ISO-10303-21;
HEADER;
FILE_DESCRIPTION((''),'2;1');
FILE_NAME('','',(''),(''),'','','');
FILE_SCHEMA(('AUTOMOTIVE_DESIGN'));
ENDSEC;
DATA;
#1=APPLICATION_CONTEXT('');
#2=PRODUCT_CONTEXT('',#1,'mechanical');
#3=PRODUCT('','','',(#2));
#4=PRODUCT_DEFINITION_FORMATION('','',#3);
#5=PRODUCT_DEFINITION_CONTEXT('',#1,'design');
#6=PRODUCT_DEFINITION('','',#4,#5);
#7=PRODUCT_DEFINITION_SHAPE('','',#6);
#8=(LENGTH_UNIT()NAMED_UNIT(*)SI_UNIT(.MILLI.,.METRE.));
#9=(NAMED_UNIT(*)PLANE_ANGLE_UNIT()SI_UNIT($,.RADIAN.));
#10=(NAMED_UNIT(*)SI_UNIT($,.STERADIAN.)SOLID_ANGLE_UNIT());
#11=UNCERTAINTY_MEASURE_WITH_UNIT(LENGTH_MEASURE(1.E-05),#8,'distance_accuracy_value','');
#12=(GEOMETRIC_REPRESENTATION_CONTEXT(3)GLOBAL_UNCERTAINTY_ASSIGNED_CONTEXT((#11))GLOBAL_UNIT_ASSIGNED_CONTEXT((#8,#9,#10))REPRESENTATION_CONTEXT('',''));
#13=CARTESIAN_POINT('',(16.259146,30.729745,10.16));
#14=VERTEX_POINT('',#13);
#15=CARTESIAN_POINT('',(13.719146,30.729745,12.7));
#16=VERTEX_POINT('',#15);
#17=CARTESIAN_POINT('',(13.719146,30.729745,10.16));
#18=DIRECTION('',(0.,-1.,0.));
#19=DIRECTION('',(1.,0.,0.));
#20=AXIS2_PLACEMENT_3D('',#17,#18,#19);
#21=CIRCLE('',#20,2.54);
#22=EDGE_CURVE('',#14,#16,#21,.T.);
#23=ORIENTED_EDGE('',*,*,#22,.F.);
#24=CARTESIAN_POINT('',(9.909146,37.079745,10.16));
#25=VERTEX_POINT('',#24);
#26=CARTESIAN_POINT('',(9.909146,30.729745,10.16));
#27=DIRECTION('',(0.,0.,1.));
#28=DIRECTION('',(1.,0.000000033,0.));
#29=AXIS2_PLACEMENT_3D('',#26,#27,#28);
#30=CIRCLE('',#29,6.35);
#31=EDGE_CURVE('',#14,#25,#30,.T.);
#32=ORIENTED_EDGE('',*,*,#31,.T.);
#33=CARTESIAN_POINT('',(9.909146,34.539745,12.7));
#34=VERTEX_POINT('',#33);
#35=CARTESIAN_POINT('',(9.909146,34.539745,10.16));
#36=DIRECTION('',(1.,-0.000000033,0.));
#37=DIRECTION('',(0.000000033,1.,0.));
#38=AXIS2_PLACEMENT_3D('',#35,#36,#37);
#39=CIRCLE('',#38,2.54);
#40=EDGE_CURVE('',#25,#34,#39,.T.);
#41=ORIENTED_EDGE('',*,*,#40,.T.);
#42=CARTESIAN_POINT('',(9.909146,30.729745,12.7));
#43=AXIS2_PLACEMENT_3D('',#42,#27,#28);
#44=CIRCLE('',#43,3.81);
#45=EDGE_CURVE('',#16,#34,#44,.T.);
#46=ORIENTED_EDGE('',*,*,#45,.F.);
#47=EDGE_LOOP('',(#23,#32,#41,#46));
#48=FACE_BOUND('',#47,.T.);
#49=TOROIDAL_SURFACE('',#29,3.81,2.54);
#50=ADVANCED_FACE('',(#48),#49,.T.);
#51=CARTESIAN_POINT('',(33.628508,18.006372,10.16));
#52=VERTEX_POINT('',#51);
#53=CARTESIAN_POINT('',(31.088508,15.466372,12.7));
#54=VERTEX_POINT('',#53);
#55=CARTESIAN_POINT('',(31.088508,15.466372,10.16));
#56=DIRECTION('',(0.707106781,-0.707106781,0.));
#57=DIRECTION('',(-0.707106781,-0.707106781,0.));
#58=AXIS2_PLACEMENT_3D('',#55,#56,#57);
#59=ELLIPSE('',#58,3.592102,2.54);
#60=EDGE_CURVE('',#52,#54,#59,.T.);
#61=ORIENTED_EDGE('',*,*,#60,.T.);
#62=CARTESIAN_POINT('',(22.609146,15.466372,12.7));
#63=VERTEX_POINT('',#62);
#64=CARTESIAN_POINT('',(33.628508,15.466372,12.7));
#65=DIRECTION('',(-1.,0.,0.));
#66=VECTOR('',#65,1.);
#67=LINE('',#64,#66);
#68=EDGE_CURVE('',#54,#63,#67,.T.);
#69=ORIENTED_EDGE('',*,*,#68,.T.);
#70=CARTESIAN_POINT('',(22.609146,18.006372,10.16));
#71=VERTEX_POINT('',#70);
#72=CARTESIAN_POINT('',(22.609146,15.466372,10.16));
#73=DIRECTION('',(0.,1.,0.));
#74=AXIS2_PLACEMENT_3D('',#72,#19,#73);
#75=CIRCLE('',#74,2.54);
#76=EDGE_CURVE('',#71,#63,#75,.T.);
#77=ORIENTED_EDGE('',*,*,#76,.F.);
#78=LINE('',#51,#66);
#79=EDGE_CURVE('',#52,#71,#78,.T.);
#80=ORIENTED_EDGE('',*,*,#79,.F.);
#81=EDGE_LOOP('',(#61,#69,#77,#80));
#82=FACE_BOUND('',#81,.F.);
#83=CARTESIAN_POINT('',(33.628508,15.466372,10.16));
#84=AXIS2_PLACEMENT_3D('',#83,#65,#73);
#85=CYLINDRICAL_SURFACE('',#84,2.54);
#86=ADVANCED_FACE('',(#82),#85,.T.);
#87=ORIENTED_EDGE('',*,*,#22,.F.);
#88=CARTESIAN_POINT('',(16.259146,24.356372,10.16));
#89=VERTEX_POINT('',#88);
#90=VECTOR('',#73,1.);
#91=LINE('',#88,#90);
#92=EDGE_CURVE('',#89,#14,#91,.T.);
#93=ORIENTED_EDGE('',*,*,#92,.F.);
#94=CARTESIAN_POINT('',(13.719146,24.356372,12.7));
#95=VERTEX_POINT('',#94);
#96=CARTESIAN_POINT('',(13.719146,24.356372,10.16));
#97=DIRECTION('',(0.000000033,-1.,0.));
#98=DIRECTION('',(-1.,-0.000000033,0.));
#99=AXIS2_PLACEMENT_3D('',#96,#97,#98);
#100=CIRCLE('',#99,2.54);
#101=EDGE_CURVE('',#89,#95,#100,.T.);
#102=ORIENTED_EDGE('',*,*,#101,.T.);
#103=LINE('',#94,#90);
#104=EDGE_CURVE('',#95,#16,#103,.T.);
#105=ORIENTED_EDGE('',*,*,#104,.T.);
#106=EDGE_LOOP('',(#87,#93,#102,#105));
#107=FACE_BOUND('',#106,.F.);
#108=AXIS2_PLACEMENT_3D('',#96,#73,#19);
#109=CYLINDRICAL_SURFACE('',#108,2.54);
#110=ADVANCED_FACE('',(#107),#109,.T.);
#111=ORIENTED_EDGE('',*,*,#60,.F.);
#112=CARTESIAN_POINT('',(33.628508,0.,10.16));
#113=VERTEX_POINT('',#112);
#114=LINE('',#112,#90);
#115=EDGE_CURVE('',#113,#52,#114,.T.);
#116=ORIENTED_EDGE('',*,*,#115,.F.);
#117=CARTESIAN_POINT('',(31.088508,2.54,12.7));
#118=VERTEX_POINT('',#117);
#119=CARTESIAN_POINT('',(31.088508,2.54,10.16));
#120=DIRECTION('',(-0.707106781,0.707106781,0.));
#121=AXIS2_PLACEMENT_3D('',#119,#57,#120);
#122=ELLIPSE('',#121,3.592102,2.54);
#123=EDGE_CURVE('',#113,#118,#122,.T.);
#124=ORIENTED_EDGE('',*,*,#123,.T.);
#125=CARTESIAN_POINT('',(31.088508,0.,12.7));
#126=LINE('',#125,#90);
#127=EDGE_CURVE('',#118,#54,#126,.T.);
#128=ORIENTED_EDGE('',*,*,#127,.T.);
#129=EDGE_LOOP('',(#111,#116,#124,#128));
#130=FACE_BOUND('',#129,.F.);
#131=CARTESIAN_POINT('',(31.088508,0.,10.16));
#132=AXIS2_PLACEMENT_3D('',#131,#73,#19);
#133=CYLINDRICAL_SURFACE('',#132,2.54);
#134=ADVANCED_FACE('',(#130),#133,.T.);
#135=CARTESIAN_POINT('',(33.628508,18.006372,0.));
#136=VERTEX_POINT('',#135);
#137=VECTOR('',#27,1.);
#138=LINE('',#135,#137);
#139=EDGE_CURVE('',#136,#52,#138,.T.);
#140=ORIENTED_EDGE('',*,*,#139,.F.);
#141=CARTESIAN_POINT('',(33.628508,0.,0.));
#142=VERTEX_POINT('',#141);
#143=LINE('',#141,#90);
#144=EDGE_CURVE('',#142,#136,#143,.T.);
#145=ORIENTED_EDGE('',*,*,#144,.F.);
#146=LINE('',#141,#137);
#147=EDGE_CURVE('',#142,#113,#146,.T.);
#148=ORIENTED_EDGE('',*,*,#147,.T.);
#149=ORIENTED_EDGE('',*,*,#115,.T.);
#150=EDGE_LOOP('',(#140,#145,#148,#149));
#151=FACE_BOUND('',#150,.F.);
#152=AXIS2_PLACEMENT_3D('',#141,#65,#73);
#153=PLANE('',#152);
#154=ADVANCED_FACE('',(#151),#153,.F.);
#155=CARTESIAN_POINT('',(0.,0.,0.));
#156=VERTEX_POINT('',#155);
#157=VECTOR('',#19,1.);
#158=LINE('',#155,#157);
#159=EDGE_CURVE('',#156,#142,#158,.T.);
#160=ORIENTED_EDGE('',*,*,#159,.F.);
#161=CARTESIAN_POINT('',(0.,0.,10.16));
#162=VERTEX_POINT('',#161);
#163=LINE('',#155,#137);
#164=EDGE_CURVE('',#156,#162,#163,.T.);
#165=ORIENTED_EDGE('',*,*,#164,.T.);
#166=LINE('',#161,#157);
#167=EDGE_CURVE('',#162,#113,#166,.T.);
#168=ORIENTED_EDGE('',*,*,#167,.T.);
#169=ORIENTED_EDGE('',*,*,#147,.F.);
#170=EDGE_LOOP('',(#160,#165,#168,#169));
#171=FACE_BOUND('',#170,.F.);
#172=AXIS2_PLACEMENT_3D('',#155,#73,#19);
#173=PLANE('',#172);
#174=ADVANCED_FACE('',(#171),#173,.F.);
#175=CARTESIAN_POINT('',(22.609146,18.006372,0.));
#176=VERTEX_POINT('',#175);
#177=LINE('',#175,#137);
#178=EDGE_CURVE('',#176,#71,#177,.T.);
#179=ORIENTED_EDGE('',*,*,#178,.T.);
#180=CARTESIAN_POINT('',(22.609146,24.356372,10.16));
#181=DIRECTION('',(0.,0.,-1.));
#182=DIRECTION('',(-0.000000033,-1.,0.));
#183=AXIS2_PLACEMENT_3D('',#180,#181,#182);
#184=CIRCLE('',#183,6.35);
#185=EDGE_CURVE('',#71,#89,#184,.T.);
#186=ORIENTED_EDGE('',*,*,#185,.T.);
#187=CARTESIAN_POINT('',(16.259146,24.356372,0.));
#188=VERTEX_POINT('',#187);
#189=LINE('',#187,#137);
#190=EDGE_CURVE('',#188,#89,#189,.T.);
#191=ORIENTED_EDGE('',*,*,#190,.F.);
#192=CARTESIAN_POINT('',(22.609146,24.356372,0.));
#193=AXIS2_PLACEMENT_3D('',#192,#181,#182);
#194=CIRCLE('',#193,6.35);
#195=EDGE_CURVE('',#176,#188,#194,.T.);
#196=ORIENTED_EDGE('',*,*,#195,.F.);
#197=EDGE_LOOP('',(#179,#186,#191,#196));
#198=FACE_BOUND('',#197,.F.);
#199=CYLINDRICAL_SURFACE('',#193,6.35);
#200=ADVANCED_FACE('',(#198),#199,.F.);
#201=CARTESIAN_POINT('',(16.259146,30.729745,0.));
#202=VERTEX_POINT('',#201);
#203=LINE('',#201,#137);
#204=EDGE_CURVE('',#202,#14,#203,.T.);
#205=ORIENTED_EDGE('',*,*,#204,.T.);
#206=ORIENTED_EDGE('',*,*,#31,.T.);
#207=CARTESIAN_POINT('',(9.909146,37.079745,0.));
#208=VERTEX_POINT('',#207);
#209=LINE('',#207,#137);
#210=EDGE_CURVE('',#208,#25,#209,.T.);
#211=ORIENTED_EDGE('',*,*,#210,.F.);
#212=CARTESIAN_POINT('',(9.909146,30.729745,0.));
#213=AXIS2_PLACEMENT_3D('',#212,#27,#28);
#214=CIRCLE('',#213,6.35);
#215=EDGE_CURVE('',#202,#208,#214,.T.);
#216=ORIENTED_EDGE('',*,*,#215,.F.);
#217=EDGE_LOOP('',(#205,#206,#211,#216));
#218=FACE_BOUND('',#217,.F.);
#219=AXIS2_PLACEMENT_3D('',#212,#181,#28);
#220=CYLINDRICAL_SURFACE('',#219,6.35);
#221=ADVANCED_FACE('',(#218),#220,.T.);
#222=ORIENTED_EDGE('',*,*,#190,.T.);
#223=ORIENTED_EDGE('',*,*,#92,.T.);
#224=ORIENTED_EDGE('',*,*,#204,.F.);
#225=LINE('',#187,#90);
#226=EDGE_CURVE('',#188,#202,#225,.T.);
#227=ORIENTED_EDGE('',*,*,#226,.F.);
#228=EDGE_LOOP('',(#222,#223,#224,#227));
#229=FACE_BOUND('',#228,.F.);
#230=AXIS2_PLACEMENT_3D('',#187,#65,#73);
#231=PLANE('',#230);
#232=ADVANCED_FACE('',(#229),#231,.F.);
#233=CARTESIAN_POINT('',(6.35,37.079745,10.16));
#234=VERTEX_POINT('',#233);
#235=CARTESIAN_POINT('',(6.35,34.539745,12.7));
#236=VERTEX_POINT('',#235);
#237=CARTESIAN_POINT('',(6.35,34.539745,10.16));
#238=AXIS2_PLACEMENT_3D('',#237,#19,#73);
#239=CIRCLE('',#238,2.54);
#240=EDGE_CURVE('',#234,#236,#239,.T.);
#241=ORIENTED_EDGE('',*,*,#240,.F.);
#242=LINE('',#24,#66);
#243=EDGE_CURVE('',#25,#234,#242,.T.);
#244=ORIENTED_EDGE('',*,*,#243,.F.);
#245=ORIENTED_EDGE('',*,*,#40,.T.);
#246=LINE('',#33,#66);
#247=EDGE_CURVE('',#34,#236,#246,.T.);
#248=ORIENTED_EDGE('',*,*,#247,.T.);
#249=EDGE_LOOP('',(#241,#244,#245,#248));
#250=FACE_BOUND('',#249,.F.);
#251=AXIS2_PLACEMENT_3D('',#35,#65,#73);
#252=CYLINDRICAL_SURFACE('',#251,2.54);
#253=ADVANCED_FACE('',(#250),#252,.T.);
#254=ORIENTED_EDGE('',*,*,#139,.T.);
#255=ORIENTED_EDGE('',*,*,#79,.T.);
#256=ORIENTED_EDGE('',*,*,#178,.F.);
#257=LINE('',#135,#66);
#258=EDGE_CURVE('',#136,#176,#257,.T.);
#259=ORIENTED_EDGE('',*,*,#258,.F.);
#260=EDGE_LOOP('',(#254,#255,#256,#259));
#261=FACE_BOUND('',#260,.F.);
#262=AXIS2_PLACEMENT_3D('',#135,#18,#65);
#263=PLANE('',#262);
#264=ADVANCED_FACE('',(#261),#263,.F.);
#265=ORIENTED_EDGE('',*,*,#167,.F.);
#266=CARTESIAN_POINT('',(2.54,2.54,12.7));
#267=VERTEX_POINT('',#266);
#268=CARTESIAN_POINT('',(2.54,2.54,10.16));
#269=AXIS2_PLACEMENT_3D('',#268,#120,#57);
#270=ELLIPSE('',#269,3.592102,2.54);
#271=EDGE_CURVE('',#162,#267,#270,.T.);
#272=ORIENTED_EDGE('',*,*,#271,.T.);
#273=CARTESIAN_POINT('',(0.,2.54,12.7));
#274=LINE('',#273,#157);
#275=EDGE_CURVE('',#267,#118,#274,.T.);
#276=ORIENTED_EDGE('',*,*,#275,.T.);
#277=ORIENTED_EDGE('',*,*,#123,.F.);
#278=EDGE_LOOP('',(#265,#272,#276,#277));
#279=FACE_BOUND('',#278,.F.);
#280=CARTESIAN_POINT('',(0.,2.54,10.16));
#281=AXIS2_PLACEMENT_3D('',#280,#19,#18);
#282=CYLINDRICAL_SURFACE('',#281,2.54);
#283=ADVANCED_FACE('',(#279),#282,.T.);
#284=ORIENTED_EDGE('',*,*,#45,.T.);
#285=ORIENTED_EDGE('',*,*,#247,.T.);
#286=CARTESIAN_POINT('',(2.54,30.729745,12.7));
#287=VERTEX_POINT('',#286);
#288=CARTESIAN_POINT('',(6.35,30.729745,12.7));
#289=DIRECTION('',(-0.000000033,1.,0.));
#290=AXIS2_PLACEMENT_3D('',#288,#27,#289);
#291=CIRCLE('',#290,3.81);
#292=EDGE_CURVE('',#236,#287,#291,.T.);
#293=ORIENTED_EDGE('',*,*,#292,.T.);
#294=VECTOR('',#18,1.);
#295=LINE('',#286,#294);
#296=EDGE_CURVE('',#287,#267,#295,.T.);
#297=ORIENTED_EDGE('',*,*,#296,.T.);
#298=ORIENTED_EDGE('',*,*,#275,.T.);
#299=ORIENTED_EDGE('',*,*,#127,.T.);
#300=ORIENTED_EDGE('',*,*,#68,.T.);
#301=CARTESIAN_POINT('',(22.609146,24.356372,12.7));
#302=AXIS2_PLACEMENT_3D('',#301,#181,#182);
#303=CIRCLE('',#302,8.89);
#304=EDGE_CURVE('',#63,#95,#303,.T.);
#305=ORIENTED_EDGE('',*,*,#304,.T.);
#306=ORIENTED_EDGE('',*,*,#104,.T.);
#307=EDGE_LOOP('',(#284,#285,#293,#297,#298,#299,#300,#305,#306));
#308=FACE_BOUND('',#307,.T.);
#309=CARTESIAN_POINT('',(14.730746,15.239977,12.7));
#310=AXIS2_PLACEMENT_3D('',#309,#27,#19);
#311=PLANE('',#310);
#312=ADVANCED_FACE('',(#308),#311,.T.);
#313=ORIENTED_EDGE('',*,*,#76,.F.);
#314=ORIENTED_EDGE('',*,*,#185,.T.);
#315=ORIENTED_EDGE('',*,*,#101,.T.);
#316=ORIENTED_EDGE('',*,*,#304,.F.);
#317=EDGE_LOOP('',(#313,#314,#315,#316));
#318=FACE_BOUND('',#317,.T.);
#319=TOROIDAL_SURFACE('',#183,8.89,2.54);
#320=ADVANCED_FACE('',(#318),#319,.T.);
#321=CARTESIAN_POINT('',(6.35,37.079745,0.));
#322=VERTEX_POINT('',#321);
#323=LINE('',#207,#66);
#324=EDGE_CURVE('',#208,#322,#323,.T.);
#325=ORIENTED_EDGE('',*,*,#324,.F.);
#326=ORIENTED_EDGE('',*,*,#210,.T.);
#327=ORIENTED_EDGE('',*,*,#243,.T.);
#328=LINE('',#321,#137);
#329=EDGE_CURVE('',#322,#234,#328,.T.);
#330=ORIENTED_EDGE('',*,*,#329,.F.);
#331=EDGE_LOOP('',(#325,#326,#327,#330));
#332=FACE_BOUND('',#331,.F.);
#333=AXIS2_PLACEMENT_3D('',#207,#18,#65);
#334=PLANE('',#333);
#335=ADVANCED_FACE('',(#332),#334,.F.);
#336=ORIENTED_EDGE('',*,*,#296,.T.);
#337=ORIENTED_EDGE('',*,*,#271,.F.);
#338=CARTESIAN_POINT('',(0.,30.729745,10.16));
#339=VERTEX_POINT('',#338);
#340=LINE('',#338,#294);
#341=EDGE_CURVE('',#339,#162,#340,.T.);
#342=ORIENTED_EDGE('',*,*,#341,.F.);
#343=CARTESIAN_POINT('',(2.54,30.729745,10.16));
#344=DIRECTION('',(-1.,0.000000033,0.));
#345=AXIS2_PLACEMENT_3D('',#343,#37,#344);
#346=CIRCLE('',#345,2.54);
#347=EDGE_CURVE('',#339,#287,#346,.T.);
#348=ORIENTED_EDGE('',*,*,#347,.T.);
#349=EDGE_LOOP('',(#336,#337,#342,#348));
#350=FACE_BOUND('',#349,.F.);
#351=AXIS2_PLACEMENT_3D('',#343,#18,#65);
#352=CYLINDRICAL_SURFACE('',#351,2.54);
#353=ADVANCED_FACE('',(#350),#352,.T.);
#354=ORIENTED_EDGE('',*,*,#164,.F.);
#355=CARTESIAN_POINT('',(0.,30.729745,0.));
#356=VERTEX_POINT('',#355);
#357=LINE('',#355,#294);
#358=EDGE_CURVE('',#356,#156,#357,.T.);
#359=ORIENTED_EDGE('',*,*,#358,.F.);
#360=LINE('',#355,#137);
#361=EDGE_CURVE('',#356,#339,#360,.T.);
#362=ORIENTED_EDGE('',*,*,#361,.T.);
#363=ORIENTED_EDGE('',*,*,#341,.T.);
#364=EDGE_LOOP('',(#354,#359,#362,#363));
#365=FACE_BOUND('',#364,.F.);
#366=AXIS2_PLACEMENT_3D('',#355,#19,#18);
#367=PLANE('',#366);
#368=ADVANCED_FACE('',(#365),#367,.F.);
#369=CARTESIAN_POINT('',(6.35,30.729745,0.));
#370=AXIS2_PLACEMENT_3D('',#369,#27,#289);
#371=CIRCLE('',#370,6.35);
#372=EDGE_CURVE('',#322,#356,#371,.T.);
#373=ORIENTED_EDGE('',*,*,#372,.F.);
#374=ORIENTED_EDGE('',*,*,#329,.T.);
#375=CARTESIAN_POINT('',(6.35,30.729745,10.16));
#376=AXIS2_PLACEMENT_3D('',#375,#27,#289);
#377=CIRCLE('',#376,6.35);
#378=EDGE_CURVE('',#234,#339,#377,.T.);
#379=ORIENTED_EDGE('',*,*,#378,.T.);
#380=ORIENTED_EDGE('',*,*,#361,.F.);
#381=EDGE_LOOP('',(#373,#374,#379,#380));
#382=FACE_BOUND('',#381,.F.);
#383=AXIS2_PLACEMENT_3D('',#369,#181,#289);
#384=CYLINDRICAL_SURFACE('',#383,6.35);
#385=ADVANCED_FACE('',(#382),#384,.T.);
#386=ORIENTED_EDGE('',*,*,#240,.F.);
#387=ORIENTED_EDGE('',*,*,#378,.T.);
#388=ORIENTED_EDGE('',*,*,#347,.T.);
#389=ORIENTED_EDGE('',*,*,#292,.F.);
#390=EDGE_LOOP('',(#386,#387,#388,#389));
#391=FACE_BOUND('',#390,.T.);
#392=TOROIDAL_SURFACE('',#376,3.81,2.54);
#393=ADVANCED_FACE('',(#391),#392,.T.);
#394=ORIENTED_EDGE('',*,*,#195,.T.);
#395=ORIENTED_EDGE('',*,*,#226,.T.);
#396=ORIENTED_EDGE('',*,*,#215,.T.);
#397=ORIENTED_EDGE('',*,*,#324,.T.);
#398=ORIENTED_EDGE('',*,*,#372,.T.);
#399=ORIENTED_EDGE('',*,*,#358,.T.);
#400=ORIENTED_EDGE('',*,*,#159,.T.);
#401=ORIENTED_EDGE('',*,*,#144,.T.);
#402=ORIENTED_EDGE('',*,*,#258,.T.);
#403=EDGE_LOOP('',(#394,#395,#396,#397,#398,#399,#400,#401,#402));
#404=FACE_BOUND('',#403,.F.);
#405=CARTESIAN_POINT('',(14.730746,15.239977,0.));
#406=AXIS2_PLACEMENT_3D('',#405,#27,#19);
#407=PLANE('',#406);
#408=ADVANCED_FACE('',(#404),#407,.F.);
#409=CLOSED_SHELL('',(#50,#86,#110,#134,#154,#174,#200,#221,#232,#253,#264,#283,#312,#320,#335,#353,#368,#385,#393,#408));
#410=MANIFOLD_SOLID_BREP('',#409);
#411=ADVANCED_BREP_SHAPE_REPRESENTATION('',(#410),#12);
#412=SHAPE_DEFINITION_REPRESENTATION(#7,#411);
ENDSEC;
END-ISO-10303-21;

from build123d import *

# Parameters (mm, degrees)
F1_DEPTH = 12.7
F2_R     = 2.54


with BuildPart() as f1:
    # F0 (on Top) → F1 (new body)
    with BuildSketch(Plane.XY):
        with BuildLine():
            Line((0, 30.729745), (0, 0))
            Line((0, 0), (33.628508, 0))
            Line((33.628508, 0), (33.628508, 18.006372))
            Line((33.628508, 18.006372), (22.609146, 18.006372))
            ThreePointArc((22.609146, 18.006372), (18.119018, 19.866244), (16.259146, 24.356372))
            Line((16.259146, 24.356372), (16.259146, 30.729745))
            ThreePointArc((16.259146, 30.729745), (14.399274, 35.219873), (9.909146, 37.079745))
            Line((9.909146, 37.079745), (6.35, 37.079745))
            ThreePointArc((6.35, 37.079745), (1.859872, 35.219873), (0, 30.729745))
        make_face()
    extrude(amount=F1_DEPTH)

    # F2
    f2_edges = [f1.edges().sort_by_distance(p)[0] for p in [
        (1.859872, 35.219873, 12.7),
        (8.129573, 37.079745, 12.7),
        (14.399274, 35.219873, 12.7),
        (16.259146, 27.543059, 12.7),
        (18.119018, 19.866244, 12.7),
        (28.118827, 18.006372, 12.7),
        (33.628508, 9.003186, 12.7),
        (16.814254, 0, 12.7),
        (0, 15.364872, 12.7),
    ]]
    fillet(f2_edges, radius=F2_R)


solid = f1.part
